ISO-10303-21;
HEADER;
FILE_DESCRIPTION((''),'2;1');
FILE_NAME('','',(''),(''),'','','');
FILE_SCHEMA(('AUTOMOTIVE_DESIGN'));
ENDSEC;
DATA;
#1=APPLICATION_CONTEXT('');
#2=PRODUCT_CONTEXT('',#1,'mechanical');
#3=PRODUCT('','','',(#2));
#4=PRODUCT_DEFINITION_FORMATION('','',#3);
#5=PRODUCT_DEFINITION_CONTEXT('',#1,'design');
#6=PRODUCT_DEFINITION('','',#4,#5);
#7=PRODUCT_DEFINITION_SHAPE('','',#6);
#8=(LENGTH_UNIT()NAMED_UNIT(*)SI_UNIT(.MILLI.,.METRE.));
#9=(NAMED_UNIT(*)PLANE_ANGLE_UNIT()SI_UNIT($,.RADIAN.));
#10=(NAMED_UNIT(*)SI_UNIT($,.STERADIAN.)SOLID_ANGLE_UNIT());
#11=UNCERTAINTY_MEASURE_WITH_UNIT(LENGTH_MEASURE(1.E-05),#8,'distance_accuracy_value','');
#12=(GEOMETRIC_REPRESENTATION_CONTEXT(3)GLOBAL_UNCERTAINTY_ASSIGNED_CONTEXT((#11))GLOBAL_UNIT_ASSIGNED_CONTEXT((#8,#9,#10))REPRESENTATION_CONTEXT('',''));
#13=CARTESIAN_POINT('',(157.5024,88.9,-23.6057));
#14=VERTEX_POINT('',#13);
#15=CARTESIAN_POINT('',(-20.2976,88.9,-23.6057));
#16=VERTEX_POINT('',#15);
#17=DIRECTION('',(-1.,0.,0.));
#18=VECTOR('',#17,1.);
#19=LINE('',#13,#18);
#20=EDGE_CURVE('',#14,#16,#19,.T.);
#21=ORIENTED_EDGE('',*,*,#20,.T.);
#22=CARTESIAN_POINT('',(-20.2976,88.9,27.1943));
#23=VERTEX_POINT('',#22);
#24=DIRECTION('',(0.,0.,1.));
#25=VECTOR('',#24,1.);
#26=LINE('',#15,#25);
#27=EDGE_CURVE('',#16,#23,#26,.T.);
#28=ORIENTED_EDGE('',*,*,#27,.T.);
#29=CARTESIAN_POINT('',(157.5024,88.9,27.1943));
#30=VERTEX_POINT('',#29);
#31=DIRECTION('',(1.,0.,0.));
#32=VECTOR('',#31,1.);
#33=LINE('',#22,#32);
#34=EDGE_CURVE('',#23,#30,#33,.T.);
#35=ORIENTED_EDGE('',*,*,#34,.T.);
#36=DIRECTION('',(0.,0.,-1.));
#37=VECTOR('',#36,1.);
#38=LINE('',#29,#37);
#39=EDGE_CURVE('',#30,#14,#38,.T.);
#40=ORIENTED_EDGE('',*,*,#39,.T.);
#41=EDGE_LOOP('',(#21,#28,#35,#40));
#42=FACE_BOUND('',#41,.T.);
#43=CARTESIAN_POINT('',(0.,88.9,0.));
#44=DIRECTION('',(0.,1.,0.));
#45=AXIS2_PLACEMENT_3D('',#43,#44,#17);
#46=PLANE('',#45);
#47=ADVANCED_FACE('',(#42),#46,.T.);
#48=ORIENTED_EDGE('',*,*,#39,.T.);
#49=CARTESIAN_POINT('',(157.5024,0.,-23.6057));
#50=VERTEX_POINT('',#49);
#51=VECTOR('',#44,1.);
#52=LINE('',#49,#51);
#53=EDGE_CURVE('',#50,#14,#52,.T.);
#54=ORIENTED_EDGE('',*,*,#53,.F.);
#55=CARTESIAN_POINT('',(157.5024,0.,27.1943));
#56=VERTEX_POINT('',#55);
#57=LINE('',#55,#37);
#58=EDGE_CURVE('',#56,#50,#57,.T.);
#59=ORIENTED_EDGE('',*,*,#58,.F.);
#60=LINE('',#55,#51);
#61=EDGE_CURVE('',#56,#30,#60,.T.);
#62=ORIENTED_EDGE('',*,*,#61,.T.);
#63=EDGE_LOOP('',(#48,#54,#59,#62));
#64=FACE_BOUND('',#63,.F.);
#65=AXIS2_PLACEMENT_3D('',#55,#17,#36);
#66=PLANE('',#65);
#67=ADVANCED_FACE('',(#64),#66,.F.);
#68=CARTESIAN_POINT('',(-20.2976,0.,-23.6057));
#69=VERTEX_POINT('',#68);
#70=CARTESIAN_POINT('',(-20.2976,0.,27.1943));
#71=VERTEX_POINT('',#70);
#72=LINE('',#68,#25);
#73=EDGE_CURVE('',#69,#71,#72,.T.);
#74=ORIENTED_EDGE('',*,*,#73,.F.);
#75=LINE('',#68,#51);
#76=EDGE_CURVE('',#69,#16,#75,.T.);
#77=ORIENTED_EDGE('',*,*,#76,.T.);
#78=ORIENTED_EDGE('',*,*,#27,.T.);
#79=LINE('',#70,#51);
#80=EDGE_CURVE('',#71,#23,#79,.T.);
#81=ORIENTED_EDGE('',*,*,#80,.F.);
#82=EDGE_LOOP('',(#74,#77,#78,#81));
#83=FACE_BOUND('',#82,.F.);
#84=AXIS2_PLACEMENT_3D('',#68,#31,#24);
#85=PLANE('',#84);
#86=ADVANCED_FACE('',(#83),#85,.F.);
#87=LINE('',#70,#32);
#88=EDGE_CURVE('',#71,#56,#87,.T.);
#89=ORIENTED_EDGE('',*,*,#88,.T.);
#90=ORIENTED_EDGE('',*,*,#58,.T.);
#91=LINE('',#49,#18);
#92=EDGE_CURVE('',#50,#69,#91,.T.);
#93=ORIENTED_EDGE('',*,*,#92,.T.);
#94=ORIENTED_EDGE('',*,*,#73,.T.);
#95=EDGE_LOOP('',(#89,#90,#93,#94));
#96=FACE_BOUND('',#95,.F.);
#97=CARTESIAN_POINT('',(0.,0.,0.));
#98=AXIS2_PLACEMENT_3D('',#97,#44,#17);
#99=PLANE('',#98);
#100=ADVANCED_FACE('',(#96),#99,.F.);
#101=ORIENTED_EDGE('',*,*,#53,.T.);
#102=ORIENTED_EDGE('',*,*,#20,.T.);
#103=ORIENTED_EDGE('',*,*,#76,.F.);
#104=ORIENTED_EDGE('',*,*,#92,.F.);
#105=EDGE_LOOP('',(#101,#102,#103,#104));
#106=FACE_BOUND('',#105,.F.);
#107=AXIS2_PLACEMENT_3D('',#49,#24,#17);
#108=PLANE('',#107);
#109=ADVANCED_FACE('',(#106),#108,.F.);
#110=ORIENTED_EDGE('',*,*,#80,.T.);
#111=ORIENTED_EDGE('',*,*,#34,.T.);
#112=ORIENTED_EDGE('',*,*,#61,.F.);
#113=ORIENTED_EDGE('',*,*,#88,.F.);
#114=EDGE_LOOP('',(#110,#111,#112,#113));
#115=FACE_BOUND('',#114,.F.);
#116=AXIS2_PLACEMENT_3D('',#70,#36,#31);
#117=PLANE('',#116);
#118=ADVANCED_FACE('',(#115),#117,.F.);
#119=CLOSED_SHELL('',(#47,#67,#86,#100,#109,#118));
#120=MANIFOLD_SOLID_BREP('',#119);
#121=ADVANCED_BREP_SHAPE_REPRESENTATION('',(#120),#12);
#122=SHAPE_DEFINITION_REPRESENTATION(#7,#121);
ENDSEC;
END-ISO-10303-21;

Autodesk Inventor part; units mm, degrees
ref_plane "YZ Plane" through (0, 0, 0) normal (1, 0, 0) x (0, 1, 0)
ref_plane "XZ Plane" through (0, 0, 0) normal (0, 1, 0) x (-1, 0, 0)
ref_plane "XY Plane" through (0, 0, 0) normal (0, 0, 1) x (1, 0, 0)
sketch "Sketch1" plane through (0, 0, 0) normal (0, 1, 0) x (-1, 0, 0)
  line L0 (20.2976, 27.1943) -> (-157.5024, 27.1943)
  line L1 (-157.5024, 27.1943) -> (-157.5024, -23.6057)
  line L2 (-157.5024, -23.6057) -> (20.2976, -23.6057)
  line L3 (20.2976, -23.6057) -> (20.2976, 27.1943)
  point P0 (0, 0)
  dimension "d0" = 50.8
  dimension "d1" = 177.8
extrude "Extrusion1" add sketch "Sketch1" along normal blind 88.9
properties part number "Sorting"
